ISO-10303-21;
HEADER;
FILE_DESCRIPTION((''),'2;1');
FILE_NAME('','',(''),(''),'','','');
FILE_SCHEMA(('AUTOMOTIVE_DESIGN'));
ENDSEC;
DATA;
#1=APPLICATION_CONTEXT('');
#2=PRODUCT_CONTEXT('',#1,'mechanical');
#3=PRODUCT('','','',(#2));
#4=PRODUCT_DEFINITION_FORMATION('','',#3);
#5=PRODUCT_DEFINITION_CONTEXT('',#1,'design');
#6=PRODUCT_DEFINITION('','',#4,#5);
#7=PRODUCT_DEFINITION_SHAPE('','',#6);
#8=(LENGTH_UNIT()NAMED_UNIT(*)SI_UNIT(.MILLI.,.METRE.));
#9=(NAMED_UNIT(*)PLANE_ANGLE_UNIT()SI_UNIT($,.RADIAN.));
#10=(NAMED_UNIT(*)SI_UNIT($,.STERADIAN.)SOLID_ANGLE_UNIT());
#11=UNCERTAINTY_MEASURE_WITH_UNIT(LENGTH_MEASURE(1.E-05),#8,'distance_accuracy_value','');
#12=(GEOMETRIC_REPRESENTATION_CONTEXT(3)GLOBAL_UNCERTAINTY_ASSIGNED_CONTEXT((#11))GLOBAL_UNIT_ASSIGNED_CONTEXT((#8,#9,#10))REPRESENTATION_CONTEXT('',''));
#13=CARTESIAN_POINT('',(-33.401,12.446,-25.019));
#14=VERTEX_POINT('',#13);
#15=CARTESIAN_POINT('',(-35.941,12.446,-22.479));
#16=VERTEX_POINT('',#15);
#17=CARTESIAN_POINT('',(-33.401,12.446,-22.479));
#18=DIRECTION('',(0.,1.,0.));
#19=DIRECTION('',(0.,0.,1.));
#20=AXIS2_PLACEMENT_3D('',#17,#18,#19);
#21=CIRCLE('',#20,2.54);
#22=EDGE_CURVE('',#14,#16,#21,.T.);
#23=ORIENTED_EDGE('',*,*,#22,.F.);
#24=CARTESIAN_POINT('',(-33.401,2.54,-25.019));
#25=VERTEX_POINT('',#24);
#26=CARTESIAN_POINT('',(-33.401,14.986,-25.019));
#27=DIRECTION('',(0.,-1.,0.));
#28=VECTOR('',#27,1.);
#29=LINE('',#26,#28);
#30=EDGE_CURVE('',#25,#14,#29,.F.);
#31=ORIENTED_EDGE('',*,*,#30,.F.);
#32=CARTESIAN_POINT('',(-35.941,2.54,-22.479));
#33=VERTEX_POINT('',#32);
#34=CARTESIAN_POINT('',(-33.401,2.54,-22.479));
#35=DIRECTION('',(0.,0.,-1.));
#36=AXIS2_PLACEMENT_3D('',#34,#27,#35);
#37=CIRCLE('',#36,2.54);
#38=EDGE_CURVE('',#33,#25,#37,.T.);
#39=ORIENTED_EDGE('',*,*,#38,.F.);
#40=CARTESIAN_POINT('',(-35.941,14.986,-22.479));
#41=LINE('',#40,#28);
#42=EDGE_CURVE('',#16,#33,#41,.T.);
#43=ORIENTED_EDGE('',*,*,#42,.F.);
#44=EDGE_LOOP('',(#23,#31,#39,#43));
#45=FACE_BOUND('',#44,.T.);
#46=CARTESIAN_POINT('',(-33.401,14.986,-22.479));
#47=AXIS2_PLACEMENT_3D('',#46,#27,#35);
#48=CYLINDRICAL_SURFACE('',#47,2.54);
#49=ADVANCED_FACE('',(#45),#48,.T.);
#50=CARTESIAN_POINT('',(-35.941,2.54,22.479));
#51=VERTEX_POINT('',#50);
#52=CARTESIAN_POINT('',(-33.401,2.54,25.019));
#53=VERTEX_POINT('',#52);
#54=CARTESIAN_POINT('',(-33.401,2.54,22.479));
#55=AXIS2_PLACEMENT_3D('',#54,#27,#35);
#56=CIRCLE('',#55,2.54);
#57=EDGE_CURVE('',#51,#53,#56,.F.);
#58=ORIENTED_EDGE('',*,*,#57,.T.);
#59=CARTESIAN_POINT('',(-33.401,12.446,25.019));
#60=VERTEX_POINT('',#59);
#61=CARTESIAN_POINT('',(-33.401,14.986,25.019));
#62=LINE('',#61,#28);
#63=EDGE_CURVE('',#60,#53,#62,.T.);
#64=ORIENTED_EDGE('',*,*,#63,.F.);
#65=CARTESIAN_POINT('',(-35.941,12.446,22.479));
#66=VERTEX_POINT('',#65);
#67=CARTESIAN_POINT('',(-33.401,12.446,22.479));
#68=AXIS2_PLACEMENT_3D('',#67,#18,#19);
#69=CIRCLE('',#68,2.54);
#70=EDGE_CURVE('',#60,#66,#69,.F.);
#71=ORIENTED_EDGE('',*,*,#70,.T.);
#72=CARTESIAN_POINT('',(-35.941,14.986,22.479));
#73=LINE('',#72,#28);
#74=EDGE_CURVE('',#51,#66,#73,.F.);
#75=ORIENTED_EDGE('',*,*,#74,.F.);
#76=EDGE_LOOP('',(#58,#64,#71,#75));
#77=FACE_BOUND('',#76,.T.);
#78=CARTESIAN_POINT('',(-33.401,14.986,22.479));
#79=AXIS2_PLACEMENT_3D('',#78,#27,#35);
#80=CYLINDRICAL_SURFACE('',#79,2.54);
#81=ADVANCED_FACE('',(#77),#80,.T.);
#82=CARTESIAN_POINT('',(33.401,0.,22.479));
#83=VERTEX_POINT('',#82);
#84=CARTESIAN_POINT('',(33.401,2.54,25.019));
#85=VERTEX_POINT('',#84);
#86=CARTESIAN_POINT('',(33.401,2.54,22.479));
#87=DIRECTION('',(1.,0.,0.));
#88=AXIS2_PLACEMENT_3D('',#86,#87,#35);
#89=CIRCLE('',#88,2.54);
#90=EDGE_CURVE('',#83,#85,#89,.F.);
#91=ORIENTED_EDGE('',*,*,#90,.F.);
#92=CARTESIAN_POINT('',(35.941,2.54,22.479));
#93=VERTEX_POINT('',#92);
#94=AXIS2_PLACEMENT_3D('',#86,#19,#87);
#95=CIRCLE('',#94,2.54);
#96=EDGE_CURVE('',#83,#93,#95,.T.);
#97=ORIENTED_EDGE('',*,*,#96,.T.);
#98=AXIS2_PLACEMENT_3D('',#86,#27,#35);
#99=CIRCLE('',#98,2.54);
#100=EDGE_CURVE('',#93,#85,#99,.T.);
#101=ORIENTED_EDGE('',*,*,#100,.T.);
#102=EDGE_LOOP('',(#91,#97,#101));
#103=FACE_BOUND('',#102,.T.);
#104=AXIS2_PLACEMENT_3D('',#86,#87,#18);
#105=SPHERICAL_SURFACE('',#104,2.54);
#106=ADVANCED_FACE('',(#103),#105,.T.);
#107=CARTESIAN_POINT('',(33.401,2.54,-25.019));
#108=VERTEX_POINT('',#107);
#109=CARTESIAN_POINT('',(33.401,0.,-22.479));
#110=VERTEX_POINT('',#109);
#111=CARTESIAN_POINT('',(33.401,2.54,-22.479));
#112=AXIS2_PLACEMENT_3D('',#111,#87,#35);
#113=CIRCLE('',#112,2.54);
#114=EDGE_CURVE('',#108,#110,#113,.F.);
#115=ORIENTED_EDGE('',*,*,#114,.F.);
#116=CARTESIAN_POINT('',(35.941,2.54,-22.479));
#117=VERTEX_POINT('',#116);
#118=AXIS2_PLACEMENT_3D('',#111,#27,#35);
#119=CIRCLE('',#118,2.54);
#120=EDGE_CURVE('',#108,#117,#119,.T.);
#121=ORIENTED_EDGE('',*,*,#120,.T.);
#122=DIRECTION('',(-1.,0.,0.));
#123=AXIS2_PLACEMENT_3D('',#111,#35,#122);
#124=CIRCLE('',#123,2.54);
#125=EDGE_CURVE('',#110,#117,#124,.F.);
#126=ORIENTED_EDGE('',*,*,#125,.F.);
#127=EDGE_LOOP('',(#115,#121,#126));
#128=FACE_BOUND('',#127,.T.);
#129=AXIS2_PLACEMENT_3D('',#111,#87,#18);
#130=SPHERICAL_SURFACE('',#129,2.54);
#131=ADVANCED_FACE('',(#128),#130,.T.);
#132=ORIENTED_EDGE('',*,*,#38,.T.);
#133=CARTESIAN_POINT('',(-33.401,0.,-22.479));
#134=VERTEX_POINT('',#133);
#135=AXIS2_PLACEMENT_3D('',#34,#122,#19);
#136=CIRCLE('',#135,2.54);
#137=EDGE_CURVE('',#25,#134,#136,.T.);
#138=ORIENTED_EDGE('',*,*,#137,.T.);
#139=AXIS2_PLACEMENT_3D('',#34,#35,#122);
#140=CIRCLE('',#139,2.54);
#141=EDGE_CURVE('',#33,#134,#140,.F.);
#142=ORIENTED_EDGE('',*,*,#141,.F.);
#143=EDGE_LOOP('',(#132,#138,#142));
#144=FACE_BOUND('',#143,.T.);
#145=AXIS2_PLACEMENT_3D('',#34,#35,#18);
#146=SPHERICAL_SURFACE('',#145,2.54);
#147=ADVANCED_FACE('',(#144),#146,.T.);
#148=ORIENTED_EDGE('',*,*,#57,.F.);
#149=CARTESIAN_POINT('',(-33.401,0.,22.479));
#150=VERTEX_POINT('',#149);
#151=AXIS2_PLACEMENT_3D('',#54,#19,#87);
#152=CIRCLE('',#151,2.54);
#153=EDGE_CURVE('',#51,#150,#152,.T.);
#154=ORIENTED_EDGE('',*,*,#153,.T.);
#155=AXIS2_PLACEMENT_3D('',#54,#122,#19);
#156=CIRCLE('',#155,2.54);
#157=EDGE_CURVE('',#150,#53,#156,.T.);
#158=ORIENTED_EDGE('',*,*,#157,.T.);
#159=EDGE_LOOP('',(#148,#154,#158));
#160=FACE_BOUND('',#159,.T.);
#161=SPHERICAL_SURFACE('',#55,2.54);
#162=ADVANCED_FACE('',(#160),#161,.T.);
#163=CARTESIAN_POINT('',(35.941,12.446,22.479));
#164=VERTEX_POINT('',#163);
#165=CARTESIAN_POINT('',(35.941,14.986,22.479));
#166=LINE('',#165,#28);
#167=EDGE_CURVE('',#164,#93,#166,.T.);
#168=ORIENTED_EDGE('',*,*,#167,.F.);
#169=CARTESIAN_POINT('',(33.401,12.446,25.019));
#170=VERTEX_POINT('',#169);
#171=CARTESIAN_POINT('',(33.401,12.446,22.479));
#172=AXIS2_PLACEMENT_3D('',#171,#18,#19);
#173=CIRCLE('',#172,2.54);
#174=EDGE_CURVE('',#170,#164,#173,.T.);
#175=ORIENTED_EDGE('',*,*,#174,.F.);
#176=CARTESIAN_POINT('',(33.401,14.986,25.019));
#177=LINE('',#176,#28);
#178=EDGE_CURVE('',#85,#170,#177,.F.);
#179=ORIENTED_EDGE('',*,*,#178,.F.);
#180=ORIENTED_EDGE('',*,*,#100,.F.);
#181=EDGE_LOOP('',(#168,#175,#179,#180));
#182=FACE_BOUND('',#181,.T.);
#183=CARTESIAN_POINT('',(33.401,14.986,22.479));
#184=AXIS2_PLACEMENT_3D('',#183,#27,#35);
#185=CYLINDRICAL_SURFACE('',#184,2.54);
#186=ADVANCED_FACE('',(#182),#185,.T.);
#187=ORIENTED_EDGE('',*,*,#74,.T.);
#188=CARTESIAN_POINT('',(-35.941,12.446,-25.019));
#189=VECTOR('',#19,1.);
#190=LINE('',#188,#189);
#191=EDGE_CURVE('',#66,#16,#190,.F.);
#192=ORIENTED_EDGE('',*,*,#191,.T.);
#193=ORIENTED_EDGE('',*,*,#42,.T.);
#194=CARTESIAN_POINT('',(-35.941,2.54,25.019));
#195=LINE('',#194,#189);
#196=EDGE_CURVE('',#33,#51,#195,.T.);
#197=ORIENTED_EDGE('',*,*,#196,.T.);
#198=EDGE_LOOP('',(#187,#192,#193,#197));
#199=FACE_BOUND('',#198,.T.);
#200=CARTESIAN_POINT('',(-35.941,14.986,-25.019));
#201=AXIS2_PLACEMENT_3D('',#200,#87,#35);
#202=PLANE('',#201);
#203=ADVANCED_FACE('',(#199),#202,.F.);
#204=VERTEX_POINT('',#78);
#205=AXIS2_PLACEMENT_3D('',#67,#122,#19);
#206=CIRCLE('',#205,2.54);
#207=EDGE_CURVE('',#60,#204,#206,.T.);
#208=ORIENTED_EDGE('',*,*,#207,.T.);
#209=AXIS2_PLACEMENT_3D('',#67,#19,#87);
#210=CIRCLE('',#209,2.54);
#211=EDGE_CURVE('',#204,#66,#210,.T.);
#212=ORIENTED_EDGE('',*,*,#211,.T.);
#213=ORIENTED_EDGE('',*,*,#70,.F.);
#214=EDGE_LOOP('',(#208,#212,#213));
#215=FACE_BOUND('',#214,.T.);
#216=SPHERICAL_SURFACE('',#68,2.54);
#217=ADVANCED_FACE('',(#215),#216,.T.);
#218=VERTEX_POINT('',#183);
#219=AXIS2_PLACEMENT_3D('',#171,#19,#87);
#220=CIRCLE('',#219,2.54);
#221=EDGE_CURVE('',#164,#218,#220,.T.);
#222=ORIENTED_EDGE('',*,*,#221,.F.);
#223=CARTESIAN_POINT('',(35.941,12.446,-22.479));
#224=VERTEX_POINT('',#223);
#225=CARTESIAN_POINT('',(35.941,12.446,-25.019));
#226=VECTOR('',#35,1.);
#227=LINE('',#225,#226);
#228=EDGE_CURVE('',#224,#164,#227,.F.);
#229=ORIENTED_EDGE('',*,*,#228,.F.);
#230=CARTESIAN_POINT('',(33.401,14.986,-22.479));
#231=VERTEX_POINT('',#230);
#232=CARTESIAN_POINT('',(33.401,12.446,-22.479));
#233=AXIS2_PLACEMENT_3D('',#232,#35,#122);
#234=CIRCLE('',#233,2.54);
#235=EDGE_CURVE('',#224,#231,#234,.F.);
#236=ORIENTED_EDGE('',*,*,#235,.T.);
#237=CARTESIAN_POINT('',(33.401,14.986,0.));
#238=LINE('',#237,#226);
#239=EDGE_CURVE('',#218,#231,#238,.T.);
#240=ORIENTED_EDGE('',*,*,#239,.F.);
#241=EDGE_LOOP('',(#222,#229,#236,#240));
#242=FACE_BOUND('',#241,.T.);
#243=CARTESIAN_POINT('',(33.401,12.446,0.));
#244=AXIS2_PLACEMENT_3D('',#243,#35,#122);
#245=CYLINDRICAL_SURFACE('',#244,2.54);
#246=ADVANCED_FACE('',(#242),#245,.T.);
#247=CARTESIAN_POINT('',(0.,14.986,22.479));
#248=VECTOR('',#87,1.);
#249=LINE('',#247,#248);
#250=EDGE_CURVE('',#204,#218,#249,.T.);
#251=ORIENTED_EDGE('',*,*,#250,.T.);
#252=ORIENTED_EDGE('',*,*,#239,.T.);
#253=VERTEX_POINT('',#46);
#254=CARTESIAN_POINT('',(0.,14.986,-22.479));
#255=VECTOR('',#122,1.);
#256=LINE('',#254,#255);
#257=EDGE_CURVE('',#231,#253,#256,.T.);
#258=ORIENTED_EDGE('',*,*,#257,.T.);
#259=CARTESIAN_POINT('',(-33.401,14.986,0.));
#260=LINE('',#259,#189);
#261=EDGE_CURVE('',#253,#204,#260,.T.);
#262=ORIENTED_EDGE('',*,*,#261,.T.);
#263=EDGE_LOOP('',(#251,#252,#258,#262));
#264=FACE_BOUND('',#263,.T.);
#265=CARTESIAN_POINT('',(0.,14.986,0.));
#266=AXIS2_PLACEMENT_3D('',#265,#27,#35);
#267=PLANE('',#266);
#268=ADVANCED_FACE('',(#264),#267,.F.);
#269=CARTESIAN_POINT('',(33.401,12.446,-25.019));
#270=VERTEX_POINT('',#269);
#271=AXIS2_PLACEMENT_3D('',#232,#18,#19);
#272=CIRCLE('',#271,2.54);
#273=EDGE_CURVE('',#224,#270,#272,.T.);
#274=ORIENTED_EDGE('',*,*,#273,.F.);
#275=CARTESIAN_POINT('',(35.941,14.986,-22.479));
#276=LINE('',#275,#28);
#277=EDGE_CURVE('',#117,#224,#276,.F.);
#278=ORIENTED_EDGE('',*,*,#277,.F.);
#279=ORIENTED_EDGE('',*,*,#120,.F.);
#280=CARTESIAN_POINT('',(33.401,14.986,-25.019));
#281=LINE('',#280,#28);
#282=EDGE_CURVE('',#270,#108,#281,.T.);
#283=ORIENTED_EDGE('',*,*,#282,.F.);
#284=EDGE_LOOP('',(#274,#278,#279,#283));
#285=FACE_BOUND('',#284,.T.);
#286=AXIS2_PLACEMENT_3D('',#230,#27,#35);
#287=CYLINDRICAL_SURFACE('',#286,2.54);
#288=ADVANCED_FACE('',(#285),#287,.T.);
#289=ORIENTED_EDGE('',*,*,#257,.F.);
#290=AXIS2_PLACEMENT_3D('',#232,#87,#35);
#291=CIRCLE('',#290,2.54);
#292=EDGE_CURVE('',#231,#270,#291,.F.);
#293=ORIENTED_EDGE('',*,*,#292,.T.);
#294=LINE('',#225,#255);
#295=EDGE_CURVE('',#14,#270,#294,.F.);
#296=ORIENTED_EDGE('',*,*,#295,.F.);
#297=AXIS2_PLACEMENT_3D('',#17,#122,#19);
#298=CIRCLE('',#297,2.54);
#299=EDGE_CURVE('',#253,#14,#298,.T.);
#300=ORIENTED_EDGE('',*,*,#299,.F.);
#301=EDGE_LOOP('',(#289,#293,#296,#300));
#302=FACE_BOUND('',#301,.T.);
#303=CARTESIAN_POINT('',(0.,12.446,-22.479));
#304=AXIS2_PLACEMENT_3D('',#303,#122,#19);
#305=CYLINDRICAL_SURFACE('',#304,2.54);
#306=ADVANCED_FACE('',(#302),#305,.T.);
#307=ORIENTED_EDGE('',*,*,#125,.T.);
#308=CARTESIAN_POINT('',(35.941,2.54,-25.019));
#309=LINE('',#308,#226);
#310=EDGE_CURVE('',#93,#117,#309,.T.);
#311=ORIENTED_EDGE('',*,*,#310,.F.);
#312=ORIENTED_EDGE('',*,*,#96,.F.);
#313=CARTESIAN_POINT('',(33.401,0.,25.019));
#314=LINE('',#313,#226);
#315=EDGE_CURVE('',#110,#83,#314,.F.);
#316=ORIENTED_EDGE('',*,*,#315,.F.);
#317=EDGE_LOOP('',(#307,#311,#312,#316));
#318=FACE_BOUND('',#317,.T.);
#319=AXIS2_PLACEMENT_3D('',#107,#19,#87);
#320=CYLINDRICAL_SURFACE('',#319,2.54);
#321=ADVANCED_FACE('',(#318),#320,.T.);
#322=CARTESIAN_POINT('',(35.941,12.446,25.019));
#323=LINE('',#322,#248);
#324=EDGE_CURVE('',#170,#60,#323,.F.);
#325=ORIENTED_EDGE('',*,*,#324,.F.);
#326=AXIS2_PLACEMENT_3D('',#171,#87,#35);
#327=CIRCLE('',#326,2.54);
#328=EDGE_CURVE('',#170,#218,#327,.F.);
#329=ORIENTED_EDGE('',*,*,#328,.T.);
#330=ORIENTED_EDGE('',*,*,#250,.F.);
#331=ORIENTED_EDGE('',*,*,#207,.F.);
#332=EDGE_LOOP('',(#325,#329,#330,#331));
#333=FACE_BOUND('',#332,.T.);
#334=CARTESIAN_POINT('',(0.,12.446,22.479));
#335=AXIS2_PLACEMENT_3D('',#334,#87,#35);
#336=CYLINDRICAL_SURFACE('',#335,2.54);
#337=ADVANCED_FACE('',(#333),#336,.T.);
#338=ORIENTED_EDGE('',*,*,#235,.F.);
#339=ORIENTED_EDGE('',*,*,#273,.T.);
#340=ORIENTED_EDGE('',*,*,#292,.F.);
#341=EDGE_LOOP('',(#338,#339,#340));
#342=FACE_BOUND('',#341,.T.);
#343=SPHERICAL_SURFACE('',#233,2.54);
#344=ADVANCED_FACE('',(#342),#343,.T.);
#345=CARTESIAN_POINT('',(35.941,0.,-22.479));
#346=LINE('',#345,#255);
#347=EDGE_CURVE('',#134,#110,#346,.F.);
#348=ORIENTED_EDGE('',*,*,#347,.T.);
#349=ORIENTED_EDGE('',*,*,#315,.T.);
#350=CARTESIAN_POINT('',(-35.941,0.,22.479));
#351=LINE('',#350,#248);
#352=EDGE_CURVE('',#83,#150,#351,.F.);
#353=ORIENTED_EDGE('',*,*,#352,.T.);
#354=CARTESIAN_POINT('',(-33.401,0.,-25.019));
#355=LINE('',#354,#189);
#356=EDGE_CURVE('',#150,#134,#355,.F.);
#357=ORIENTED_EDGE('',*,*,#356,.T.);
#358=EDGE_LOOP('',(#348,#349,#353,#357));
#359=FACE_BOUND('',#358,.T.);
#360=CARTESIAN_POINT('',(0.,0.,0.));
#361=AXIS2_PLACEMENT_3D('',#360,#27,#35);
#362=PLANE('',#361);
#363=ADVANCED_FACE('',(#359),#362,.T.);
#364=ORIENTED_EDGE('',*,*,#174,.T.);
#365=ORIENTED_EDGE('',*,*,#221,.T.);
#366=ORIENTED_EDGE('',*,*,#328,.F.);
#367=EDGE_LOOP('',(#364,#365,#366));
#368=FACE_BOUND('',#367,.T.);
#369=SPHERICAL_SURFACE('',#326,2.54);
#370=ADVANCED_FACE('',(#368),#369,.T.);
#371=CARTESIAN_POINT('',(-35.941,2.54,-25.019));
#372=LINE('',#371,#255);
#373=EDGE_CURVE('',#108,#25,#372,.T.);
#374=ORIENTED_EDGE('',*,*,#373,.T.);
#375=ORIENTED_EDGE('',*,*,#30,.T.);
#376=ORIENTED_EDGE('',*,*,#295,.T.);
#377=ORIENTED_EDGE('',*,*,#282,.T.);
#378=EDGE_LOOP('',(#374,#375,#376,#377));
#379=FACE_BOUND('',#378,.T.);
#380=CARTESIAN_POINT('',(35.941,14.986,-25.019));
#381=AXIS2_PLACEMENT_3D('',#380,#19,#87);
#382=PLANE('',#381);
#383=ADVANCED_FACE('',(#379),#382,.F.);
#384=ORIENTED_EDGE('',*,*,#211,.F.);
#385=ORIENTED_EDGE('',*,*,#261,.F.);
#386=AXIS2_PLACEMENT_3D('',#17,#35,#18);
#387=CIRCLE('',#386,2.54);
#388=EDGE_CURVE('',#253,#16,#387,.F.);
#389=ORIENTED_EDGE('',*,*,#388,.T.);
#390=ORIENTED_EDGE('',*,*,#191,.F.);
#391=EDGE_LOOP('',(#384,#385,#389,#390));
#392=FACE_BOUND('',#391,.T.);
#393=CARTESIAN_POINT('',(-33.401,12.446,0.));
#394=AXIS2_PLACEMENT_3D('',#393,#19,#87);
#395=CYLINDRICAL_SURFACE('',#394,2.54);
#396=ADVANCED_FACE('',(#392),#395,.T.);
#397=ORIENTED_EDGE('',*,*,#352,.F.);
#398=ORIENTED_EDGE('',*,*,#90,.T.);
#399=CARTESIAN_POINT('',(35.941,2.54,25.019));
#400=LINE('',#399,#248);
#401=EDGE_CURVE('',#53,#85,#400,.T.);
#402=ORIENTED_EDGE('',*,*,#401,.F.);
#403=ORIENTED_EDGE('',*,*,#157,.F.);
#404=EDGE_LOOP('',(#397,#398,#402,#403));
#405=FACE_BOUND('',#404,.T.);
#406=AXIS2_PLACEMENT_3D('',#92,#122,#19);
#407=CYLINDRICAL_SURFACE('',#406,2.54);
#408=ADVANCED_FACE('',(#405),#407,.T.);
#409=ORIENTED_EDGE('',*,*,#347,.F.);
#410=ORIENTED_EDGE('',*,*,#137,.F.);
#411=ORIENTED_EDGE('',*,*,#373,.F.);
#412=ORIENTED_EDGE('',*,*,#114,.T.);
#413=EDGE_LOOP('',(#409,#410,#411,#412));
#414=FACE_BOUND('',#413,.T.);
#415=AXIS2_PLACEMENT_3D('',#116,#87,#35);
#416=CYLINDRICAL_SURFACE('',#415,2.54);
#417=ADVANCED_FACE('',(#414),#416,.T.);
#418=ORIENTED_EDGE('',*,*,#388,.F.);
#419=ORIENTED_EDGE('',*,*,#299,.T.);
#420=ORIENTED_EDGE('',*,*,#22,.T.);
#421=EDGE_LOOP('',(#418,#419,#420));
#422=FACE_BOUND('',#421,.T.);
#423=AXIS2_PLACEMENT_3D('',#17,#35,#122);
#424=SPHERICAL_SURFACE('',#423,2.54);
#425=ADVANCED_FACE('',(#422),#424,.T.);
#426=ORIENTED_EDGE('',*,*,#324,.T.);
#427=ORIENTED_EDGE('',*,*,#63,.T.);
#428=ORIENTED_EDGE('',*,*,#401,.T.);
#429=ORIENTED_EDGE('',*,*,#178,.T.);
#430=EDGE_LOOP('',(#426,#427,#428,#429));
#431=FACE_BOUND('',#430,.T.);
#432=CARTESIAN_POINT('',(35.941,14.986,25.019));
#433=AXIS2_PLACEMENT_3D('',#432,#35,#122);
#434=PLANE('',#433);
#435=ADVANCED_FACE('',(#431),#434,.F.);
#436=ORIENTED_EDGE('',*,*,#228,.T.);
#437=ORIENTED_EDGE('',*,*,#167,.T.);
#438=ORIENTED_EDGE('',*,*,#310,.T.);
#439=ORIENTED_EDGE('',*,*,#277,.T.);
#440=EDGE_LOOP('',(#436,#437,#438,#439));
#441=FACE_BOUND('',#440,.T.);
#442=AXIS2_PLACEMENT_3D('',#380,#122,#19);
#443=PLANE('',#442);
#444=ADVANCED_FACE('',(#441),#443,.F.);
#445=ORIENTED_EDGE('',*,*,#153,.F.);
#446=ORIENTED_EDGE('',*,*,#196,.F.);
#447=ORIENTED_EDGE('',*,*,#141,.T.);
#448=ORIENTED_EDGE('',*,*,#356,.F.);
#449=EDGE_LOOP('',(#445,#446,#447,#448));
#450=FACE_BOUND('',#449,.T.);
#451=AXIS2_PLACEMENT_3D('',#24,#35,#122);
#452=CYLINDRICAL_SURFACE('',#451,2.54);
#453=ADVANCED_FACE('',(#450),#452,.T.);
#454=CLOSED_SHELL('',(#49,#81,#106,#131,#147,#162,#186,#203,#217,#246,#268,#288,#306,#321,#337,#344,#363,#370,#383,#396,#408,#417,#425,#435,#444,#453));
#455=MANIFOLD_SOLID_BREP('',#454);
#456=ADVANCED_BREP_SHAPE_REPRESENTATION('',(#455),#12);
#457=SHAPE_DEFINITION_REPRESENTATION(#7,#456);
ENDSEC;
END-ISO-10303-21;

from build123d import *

# Parameters (mm, degrees)
SKETCH1_W           = 71.882
SKETCH1_H           = 50.038
BOSS_EXTRUDE1_DEPTH = 14.986
FILLET1_R           = 2.54


with BuildPart() as part:
    # Sketch1 → Boss-Extrude1 (new body)
    with BuildSketch(Plane(origin=(0, 0, 0), x_dir=(1, 0, 0), z_dir=(0, 1, 0))):
        Rectangle(SKETCH1_W, SKETCH1_H)
    extrude(amount=BOSS_EXTRUDE1_DEPTH)

    # Fillet1
    fillet1_edges = [part.edges().sort_by_distance(p)[0] for p in [
        (35.941, 14.986, 0),
        (0, 14.986, -25.019),
        (-35.941, 14.986, 0),
        (0, 0, -25.019),
        (35.941, 0, 0),
        (0, 0, 25.019),
        (-35.941, 0, 0),
        (-35.941, 7.493, -25.019),
        (35.941, 7.493, -25.019),
        (35.941, 7.493, 25.019),
        (-35.941, 7.493, 25.019),
        (0, 14.986, 25.019),
    ]]
    fillet(fillet1_edges, radius=FILLET1_R)


solid = part.part
